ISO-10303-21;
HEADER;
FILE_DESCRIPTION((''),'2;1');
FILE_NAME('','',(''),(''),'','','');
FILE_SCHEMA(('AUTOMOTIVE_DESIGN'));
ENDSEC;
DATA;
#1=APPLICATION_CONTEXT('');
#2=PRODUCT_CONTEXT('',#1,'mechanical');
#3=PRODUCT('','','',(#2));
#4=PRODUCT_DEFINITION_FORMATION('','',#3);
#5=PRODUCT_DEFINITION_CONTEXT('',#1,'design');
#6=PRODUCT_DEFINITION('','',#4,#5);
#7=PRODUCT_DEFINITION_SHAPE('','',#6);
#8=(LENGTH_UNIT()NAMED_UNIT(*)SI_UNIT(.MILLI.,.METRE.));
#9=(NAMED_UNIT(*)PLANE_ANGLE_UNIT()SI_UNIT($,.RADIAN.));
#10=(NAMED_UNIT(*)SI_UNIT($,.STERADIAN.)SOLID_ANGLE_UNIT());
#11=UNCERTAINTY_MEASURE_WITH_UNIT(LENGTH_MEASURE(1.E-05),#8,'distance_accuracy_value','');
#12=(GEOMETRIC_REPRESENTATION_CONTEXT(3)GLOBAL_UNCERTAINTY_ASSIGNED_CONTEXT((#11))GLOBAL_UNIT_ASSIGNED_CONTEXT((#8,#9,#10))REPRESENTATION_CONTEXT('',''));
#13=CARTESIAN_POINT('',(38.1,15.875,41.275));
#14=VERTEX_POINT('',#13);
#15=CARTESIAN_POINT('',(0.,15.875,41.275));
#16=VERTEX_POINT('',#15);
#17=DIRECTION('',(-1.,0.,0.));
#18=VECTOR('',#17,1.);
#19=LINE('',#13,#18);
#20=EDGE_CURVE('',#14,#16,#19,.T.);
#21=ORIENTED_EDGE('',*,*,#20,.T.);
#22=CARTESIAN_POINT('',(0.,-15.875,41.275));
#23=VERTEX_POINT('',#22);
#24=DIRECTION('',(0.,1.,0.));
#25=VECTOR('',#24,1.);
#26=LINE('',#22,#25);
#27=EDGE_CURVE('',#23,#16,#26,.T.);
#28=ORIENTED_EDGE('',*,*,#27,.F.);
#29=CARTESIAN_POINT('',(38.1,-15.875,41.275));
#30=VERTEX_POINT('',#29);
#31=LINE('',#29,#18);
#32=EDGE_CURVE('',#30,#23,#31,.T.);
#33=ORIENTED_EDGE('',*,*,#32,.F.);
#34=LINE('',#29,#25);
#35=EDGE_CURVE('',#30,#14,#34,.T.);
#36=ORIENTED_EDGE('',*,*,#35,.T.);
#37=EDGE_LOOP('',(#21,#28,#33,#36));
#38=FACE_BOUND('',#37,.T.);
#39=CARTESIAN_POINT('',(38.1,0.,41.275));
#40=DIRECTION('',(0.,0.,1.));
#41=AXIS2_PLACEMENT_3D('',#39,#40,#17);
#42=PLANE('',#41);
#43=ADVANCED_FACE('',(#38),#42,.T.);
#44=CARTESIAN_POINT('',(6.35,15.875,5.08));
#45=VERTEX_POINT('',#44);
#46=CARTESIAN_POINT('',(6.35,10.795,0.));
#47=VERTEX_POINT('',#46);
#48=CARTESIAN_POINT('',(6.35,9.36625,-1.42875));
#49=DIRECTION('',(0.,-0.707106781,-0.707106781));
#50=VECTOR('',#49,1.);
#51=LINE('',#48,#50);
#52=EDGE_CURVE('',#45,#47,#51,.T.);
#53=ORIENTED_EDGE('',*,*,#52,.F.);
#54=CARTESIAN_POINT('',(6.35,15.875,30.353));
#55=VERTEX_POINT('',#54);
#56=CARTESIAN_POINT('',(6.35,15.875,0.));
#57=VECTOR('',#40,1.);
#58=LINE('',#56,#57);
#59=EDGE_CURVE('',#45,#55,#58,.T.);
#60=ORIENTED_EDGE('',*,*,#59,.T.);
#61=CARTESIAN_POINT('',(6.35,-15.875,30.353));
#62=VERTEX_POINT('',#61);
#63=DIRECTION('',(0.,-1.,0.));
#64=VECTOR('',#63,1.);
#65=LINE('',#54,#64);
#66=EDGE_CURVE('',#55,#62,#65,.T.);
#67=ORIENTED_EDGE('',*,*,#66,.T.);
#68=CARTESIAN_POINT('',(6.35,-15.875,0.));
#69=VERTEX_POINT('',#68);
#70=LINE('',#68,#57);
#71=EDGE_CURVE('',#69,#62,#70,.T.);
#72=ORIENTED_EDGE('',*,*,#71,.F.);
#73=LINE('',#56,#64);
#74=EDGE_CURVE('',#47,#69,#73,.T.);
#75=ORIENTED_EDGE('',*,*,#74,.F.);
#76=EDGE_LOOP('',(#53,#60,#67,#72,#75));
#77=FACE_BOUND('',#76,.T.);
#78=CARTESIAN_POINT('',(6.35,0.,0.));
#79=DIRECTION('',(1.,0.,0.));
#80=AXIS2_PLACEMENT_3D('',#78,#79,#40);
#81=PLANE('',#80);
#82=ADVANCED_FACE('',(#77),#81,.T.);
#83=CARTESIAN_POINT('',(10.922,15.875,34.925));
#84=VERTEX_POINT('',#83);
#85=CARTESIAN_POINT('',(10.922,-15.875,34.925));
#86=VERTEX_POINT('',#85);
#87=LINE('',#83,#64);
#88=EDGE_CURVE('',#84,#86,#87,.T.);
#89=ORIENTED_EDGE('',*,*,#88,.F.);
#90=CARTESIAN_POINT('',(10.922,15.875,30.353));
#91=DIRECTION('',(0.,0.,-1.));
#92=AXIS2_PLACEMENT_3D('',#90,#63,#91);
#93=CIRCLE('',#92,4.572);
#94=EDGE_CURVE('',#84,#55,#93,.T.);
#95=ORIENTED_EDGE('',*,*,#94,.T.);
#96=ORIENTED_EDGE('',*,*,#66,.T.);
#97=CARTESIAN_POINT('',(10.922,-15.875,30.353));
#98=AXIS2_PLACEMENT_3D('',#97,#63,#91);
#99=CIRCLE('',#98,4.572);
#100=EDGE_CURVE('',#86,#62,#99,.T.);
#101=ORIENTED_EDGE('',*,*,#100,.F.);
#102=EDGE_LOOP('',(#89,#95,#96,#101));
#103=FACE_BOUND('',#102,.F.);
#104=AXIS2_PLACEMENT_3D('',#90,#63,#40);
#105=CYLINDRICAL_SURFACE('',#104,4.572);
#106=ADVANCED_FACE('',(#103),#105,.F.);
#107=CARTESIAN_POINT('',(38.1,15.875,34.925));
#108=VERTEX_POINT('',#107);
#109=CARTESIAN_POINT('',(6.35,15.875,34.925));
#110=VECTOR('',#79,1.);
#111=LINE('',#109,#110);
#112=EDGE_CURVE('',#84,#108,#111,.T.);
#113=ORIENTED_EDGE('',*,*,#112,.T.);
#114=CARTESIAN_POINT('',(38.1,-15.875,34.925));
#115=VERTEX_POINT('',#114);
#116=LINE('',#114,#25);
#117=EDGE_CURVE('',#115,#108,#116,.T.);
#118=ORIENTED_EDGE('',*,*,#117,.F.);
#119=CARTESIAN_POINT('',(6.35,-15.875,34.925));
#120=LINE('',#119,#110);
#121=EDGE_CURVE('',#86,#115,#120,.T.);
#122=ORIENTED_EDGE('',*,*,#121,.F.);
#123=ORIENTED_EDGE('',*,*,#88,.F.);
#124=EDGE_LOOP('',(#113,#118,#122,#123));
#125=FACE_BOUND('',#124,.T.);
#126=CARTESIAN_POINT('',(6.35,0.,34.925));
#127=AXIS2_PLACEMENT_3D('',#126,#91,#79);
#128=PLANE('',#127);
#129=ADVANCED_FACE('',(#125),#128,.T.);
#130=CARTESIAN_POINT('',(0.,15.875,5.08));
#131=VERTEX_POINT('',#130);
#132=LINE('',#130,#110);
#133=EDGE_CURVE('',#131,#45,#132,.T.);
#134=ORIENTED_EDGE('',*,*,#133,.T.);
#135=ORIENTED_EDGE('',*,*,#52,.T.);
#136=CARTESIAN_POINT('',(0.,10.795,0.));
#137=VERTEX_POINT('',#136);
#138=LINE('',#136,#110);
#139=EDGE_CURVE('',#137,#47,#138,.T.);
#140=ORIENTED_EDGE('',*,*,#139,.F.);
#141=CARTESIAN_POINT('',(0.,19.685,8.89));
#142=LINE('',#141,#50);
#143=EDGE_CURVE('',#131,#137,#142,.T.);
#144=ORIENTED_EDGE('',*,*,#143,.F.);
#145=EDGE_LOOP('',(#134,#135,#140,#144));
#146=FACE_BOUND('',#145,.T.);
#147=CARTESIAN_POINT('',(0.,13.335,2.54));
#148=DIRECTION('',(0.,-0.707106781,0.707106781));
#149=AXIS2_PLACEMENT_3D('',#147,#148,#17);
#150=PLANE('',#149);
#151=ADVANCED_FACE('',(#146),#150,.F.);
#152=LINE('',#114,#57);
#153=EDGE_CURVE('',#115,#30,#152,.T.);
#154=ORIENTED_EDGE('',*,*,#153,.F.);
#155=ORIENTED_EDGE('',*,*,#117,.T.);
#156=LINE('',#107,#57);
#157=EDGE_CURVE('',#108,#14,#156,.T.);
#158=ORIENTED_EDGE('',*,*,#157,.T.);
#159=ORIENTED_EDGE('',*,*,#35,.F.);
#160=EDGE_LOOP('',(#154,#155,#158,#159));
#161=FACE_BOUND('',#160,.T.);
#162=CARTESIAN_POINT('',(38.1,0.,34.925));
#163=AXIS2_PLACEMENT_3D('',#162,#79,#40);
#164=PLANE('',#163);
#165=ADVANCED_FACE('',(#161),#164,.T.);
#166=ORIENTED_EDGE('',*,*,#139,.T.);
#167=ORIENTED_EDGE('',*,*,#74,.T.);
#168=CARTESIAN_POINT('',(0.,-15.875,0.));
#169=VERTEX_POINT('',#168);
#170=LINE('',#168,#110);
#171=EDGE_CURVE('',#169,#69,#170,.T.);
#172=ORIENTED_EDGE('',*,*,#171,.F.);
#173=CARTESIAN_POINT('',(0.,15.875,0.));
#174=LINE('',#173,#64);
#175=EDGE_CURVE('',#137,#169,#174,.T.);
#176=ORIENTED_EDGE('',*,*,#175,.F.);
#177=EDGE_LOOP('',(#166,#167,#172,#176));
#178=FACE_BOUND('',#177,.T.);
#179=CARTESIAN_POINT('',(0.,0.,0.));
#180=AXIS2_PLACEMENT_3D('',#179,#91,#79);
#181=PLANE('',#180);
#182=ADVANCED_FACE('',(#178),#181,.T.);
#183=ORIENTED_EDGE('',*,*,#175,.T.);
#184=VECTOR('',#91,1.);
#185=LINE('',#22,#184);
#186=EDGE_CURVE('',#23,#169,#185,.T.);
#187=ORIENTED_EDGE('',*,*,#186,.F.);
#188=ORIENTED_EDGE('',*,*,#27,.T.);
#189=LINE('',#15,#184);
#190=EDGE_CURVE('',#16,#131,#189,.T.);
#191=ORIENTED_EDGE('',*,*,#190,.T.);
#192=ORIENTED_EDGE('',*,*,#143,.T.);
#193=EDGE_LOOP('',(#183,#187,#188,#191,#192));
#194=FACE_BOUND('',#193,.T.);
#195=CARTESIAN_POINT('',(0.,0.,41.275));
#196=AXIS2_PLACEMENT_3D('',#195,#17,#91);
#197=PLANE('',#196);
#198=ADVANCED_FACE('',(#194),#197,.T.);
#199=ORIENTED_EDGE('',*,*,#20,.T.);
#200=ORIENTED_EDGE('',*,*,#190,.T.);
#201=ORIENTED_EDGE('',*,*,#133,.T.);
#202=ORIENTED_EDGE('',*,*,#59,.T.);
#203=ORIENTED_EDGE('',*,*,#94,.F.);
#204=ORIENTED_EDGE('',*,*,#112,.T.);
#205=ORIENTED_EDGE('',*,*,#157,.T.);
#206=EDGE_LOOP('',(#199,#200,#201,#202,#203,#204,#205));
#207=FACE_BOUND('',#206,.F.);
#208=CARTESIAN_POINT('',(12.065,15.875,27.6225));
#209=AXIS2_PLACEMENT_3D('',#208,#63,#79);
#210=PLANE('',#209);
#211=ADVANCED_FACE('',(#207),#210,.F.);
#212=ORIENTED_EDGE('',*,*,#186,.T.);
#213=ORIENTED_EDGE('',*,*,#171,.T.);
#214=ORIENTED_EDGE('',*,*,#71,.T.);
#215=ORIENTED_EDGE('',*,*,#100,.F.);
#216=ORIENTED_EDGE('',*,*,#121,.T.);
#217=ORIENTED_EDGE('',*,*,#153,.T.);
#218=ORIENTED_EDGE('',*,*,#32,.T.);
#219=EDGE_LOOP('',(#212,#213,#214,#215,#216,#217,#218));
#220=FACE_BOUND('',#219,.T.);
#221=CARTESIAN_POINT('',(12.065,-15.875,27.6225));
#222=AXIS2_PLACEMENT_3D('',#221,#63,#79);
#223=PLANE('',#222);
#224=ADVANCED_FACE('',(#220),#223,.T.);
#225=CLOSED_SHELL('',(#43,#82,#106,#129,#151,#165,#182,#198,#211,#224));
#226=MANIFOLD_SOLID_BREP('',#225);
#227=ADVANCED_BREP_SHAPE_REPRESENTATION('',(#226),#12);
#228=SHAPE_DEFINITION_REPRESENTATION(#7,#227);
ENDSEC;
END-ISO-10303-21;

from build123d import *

# Parameters (mm, degrees)
F1_DEPTH = 15.875
F2_R     = 4.572
F3_SIZE  = 5.08


with BuildPart() as f1:
    # F0 (on Front) → F1 (new body, symmetric)
    with BuildSketch(Plane.XZ):
        Polygon((0, 41.275), (0, 0), (6.35, 0), (6.35, 34.925), (38.1, 34.925), (38.1, 41.275), align=None)
    extrude(amount=F1_DEPTH, both=True)

    # F2
    f2_edges = [f1.edges().sort_by_distance(p)[0] for p in [
        (6.35, 0, 34.925),
    ]]
    fillet(f2_edges, radius=F2_R)

    # F3
    f3_edges = [f1.edges().sort_by_distance(p)[0] for p in [
        (3.175, 15.875, 0),
    ]]
    chamfer(f3_edges, length=F3_SIZE)


solid = f1.part
